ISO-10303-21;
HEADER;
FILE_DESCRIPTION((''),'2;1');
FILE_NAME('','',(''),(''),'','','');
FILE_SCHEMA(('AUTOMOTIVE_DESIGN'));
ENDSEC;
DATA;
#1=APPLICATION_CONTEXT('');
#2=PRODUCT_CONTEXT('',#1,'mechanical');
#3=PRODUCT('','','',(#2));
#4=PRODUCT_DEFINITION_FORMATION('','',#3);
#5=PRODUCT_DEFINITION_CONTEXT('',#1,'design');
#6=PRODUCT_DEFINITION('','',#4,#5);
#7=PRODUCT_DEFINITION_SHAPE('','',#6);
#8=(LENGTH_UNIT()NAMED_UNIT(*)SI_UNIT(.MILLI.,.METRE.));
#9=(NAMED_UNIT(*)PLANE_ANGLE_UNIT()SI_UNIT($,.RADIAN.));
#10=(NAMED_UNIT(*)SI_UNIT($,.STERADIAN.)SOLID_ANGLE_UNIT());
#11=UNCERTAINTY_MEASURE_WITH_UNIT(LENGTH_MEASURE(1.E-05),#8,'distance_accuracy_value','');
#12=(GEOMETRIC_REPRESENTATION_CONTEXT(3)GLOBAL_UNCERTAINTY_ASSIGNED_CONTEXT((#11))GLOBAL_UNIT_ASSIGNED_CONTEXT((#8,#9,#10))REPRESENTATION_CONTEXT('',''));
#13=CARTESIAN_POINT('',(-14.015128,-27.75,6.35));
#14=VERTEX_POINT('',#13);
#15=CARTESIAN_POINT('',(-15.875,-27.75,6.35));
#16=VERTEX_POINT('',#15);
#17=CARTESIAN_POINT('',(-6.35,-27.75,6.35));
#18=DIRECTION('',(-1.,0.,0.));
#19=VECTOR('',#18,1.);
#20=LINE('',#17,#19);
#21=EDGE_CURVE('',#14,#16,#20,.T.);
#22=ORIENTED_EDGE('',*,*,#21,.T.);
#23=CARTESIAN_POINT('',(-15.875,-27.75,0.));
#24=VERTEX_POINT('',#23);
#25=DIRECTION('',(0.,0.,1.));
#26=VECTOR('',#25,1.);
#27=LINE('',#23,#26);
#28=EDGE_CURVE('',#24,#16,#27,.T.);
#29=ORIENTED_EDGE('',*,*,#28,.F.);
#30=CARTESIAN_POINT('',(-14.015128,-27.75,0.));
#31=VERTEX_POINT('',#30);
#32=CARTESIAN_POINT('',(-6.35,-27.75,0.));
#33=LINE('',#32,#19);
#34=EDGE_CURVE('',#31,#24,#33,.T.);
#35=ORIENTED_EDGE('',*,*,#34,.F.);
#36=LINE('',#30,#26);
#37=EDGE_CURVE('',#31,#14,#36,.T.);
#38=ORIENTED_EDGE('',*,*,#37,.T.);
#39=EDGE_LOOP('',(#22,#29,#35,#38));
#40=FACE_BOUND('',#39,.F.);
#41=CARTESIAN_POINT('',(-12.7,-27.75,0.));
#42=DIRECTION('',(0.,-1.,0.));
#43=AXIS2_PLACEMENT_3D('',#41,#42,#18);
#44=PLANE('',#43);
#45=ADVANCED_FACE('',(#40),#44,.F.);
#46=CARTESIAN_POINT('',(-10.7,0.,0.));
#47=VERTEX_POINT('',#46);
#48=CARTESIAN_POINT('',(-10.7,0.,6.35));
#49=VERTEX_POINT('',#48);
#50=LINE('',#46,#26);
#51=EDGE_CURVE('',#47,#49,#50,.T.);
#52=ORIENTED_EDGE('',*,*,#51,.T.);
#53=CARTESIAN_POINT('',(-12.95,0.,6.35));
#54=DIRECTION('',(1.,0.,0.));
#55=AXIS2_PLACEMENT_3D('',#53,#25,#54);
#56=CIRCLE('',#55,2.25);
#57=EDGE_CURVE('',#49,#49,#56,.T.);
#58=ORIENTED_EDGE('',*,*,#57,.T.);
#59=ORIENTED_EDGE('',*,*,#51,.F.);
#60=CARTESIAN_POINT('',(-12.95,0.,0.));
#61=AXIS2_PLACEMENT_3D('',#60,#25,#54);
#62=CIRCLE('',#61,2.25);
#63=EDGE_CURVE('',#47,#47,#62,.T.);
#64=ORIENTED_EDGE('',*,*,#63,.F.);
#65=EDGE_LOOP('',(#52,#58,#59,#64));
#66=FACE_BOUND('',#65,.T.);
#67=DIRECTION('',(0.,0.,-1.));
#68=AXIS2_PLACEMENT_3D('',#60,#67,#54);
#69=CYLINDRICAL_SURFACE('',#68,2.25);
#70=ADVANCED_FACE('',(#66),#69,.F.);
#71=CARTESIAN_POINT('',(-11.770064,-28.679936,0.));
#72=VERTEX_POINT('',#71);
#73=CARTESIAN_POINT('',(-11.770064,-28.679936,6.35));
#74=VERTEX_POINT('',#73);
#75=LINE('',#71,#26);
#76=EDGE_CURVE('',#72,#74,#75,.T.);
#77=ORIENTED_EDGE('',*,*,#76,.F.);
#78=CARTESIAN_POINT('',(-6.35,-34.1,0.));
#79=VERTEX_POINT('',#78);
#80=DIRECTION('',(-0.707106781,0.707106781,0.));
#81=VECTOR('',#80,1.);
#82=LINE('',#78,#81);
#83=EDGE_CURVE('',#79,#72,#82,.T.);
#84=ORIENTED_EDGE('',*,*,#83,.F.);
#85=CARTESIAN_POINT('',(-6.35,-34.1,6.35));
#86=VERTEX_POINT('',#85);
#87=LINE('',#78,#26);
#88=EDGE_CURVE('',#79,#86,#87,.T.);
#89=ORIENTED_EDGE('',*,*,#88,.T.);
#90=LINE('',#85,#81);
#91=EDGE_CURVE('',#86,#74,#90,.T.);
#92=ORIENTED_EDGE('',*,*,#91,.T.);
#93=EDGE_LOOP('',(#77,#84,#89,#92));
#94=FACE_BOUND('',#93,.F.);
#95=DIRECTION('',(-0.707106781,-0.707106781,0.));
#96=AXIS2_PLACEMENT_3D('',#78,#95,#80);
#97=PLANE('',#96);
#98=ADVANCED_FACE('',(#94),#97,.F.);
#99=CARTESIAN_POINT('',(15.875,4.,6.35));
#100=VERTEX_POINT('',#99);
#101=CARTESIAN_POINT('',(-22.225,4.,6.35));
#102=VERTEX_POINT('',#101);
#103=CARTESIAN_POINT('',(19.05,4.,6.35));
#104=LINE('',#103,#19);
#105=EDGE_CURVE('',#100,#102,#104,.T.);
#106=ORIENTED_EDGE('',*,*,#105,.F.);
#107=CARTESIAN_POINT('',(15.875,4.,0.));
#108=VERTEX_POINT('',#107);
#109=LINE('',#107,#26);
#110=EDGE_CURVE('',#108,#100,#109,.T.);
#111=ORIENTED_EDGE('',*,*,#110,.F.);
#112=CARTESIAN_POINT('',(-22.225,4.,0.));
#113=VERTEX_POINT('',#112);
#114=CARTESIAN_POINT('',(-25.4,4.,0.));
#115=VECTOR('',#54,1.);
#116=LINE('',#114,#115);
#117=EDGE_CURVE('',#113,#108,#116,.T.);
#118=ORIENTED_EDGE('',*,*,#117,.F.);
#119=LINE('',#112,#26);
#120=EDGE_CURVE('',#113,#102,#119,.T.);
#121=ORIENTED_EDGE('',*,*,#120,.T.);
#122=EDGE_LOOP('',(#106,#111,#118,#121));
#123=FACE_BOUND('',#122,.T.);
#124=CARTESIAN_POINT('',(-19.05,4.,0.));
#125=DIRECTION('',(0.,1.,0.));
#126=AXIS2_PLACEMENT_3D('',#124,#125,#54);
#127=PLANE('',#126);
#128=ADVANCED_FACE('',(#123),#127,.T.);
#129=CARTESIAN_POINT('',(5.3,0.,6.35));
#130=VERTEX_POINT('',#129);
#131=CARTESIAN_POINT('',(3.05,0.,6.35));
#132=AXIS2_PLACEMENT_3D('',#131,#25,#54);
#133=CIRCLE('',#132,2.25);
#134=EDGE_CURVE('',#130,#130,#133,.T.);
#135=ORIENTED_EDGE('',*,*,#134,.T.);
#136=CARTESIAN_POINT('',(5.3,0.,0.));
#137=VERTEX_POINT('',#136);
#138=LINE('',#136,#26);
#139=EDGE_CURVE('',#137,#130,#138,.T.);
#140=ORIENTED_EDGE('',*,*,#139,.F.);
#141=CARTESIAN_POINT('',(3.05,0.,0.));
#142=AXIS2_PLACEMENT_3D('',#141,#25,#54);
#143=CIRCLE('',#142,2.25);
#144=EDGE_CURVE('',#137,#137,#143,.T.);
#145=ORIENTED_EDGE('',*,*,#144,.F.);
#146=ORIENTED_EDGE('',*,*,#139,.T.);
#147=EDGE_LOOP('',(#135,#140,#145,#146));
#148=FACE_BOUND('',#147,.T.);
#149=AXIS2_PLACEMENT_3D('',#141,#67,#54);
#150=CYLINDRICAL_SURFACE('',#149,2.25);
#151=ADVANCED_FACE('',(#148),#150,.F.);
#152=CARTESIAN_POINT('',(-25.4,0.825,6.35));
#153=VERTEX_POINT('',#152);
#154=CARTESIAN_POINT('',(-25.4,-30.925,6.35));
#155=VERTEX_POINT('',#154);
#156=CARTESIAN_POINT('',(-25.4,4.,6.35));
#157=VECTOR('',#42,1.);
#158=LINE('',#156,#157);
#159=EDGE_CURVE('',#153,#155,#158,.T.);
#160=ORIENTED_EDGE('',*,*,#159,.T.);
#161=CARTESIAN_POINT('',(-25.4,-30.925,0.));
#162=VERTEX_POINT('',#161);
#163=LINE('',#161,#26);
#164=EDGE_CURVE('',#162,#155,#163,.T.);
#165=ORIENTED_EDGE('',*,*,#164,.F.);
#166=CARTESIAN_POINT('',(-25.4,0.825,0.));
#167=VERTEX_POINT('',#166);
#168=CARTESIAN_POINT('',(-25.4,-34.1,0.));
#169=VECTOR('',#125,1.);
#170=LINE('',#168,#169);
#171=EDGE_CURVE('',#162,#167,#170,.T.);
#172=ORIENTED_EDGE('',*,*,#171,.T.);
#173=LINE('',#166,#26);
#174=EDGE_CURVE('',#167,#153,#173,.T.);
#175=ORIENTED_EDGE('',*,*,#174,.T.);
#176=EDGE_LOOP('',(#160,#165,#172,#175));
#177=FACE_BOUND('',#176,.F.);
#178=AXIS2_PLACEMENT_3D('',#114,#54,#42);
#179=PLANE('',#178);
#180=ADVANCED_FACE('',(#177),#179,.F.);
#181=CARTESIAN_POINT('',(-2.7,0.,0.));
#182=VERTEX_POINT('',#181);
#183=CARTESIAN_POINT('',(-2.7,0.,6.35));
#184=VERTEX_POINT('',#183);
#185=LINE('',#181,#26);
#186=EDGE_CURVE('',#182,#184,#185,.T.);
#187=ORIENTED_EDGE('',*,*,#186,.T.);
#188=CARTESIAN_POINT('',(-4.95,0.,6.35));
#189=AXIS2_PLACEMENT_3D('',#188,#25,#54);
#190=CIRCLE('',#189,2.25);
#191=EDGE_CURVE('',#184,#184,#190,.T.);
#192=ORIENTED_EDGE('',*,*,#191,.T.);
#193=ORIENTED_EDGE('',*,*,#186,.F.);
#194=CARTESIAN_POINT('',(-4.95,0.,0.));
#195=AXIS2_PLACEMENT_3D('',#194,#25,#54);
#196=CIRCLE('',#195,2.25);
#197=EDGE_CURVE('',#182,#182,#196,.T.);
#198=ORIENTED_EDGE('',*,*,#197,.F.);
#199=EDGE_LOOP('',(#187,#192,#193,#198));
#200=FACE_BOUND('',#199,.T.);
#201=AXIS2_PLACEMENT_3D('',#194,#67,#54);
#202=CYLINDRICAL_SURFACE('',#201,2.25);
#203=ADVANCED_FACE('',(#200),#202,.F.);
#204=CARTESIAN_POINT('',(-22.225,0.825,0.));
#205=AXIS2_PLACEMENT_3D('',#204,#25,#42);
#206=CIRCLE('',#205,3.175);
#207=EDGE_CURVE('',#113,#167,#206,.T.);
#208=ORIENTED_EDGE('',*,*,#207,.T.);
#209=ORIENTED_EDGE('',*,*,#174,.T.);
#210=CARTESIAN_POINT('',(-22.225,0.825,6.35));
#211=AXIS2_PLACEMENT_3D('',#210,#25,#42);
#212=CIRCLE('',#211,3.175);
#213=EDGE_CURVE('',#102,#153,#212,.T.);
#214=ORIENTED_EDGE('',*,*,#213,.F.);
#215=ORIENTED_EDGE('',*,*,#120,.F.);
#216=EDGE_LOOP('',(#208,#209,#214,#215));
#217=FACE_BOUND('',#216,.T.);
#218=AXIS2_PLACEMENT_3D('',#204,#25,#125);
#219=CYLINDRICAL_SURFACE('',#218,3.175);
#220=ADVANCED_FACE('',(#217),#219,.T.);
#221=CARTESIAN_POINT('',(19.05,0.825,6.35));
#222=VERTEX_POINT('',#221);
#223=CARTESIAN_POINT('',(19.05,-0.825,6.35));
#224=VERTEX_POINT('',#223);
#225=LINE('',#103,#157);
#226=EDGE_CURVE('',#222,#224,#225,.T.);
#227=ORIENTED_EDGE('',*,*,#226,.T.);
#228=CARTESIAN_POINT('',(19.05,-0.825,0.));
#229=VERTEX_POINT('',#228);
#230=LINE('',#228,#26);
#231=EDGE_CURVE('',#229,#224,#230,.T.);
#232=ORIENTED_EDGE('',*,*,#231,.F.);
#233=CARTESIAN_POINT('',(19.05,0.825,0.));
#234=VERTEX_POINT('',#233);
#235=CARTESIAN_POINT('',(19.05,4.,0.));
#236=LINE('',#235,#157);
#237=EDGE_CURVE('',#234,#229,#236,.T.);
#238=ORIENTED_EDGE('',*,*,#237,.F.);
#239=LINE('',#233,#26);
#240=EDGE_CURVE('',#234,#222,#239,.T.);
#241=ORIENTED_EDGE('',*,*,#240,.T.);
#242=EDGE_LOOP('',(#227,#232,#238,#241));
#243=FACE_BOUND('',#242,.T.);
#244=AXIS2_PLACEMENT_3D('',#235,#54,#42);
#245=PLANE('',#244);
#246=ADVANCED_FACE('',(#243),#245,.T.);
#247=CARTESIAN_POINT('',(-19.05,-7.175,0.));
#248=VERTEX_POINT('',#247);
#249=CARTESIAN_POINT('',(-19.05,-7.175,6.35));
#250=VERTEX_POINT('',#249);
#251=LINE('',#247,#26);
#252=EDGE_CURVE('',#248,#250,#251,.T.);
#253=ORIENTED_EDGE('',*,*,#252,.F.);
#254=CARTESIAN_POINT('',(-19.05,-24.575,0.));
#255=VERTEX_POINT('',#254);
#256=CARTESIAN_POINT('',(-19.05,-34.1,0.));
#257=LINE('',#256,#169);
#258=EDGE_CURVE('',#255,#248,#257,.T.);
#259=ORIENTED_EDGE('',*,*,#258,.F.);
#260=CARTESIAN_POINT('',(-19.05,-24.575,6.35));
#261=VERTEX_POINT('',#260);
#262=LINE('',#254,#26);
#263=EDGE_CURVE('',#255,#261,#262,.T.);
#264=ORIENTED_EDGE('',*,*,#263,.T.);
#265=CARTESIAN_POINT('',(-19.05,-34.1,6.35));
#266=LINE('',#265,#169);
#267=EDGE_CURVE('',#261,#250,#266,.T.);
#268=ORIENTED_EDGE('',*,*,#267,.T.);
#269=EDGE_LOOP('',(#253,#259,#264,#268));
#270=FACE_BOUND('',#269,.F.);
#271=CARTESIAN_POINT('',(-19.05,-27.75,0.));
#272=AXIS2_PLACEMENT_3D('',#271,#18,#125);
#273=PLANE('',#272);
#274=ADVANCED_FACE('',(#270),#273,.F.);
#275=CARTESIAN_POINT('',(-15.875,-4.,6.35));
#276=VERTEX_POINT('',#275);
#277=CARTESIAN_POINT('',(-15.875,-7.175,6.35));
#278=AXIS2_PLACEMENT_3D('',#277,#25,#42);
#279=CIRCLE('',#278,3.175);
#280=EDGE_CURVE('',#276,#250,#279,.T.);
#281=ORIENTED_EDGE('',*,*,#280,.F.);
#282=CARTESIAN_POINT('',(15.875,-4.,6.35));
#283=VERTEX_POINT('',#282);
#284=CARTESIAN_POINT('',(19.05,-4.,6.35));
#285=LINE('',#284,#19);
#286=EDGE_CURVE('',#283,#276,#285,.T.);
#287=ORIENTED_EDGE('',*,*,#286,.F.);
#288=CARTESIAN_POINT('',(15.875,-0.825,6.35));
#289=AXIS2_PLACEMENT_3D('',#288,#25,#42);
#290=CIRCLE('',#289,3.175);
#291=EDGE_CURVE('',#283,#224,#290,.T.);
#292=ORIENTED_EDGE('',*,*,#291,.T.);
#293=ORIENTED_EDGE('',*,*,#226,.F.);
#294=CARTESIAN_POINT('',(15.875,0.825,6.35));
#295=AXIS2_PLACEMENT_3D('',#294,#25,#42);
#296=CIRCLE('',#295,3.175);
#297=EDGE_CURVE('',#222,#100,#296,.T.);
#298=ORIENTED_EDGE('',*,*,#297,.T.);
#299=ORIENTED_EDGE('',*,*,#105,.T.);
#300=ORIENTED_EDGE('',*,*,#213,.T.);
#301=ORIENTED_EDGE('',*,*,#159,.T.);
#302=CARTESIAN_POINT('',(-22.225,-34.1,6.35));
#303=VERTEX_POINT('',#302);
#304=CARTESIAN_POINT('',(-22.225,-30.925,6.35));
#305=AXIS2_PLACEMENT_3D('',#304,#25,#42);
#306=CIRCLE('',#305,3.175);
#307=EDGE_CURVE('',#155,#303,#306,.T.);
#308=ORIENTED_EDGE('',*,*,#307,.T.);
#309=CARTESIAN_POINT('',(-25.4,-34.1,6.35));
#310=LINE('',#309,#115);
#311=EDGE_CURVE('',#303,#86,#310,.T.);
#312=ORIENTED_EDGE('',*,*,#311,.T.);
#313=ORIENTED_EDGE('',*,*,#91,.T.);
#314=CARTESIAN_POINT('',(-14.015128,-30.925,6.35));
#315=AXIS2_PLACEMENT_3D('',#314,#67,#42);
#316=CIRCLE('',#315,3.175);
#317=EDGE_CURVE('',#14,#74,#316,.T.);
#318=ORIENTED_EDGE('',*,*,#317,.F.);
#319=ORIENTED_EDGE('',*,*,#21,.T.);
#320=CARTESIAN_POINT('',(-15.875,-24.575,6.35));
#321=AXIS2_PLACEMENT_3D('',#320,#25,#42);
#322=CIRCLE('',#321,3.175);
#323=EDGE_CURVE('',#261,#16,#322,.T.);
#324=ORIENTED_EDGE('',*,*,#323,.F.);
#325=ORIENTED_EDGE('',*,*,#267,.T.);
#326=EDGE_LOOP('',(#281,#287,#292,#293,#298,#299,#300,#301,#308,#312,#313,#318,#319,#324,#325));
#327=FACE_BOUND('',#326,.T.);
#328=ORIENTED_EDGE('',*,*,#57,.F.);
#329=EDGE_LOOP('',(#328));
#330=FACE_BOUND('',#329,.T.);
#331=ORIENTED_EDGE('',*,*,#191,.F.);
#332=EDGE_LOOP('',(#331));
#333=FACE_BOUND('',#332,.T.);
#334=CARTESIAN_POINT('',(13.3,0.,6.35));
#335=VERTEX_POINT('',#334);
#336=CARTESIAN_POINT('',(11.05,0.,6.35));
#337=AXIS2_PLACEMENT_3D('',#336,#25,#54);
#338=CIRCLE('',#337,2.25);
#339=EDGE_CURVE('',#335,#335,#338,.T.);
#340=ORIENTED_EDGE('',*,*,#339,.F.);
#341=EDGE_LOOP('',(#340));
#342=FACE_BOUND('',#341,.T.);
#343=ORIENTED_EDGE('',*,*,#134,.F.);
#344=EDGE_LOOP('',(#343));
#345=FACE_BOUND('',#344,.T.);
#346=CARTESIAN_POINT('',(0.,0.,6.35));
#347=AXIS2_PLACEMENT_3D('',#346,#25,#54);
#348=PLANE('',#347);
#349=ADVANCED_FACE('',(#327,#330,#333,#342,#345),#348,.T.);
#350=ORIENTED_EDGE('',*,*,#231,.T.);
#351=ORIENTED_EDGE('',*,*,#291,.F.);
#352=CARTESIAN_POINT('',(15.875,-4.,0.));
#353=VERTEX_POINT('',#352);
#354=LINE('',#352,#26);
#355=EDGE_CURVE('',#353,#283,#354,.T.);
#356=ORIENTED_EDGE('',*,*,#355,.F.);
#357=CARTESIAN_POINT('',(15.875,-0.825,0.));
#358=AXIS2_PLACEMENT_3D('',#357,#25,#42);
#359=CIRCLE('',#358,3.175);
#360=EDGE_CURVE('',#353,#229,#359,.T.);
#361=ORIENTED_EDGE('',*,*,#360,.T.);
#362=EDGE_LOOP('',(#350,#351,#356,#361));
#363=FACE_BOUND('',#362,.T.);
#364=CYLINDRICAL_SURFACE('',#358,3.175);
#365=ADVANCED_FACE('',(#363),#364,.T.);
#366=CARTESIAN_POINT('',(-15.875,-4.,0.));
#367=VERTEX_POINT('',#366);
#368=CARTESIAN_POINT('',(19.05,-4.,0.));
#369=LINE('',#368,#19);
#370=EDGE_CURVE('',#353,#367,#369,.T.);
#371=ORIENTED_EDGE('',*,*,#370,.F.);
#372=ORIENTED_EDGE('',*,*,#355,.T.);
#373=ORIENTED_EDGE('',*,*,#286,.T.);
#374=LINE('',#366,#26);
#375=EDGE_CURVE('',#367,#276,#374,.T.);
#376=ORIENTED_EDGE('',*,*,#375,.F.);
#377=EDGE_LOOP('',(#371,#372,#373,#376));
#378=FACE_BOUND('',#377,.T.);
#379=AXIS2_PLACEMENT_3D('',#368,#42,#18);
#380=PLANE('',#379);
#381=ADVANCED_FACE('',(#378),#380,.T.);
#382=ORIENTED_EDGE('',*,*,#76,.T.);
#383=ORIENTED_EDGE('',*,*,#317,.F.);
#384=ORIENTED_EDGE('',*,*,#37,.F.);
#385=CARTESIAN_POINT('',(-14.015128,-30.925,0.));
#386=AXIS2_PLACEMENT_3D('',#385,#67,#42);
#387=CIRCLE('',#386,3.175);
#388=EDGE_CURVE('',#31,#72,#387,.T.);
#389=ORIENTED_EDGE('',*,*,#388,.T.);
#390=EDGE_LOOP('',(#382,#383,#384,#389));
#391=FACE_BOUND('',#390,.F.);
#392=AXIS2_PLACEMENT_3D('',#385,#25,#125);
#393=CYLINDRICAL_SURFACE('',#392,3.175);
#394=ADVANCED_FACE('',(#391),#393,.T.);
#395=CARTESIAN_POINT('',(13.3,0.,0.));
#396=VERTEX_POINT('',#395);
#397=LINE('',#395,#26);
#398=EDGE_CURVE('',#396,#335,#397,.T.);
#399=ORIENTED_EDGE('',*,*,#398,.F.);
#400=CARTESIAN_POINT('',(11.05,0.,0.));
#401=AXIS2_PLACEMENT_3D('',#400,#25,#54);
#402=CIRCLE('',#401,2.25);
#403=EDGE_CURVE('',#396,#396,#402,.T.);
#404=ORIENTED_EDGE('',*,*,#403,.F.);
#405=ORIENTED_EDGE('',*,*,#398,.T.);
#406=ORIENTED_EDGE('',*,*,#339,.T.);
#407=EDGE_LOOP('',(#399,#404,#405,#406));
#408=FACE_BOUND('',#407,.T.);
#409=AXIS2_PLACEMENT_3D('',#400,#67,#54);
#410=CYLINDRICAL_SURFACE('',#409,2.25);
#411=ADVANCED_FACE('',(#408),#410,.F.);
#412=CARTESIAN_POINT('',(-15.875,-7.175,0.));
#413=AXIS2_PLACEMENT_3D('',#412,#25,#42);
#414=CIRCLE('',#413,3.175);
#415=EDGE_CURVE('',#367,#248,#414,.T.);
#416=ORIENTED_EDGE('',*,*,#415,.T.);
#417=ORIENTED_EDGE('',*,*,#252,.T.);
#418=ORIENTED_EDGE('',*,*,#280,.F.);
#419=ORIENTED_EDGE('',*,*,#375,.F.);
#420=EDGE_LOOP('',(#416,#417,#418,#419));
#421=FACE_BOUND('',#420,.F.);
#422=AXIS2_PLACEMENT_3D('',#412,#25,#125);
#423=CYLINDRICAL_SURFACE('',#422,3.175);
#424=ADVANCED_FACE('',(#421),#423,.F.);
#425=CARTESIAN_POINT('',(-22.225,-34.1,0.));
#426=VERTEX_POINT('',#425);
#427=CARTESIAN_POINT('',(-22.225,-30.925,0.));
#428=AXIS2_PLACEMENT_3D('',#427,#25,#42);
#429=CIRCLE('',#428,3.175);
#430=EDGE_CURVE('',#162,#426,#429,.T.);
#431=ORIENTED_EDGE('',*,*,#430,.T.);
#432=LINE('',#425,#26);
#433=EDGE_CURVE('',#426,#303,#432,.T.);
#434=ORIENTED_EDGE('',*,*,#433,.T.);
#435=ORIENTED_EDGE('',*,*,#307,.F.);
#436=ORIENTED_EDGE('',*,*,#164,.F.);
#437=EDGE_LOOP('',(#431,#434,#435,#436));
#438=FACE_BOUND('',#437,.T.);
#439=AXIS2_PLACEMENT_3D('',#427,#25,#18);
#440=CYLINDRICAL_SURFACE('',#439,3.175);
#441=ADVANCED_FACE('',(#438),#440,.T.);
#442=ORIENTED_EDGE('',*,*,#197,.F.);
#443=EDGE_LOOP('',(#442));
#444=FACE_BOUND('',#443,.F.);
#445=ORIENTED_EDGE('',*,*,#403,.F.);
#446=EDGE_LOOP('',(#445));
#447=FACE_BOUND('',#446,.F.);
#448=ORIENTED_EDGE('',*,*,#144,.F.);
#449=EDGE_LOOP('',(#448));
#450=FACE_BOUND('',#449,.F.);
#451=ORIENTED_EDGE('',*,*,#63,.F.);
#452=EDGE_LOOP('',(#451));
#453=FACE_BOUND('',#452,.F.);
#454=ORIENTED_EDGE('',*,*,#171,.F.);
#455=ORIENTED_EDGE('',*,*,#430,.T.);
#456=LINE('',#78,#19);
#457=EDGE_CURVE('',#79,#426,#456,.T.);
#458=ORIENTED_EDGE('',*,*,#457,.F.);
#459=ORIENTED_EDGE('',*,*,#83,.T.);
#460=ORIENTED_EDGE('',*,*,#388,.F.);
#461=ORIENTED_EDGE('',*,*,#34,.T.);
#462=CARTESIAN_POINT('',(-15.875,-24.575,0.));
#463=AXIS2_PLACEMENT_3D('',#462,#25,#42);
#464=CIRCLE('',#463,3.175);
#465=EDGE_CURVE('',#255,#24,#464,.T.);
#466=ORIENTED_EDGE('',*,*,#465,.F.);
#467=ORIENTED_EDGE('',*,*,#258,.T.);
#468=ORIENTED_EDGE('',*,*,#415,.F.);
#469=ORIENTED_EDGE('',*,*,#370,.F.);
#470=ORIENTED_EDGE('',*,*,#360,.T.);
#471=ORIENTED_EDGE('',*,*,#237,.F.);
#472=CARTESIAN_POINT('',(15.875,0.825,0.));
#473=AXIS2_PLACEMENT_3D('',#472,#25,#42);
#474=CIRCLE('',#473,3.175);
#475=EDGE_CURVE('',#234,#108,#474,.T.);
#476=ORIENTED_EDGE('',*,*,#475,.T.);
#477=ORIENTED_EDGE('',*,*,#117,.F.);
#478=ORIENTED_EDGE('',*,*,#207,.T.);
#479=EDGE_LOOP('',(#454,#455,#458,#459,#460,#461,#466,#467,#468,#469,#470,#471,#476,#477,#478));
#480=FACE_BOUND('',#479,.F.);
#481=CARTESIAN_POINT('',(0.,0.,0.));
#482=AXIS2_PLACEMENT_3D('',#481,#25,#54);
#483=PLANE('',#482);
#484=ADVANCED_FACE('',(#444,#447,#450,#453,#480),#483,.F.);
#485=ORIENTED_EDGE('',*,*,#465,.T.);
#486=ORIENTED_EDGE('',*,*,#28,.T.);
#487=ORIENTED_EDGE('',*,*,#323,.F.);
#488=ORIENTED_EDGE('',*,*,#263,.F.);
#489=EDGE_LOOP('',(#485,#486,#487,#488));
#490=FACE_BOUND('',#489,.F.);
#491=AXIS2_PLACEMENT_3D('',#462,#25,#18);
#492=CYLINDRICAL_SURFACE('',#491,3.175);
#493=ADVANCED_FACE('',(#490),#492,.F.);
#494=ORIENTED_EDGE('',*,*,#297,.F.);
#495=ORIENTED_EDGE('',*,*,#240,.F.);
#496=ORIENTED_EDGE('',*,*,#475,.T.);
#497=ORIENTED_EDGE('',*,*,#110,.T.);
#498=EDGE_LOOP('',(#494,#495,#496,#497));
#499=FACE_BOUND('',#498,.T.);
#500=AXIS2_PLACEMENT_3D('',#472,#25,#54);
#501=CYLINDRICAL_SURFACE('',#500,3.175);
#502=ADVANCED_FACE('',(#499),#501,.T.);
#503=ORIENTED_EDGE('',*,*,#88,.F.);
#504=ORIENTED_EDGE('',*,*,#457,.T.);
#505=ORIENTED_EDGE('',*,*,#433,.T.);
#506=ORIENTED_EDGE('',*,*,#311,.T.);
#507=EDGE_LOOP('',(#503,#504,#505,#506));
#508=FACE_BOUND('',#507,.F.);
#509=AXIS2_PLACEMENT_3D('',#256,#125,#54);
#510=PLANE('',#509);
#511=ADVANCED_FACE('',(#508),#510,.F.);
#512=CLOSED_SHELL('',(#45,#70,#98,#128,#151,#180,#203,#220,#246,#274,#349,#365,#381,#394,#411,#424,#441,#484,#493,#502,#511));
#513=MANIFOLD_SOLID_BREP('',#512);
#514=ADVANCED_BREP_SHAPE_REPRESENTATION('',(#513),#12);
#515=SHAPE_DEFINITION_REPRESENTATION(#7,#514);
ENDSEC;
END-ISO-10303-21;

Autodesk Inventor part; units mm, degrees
ref_plane "YZ Plane" through (0, 0, 0) normal (1, 0, 0) x (0, 1, 0)
ref_plane "XZ Plane" through (0, 0, 0) normal (0, 1, 0) x (-1, 0, 0)
ref_plane "XY Plane" through (0, 0, 0) normal (0, 0, 1) x (1, 0, 0)
sketch "Sketch1" plane through (0, 0, 0) normal (0, 0, 1) x (1, 0, 0)
  line L0 (19.05, -4) -> (-19.05, -4)
  line L1 (-19.05, -4) -> (-19.05, 4)
  line L2 (-19.05, 4) -> (19.05, 4)
  line L3 (19.05, 4) -> (19.05, -4)
  line L4 (19.05, -4) -> (-19.05, 4) construction
  line L5 (-19.05, -4) -> (19.05, 4) construction
  circle A0 centre (11.05, 0) radius 2.25
  circle A1 centre (3.05, 0) radius 2.25
  circle A2 centre (-4.95, 0) radius 2.25
  circle A3 centre (-12.95, 0) radius 2.25
  line L6 (-19.05, 4) -> (-25.4, 4)
  line L7 (-25.4, 4) -> (-25.4, -34.1)
  line L8 (-25.4, -34.1) -> (-19.05, -34.1)
  line L9 (-19.05, -34.1) -> (-19.05, 4)
  line L10 (-25.4, -34.1) -> (-12.6924, -34.1) construction
  line L11 (-25.4, -34.1) -> (-6.35, -34.1)
  line L12 (-6.35, -34.1) -> (-6.35, -27.75)
  line L13 (-6.35, -27.75) -> (-25.4, -27.75)
  line L14 (-25.4, -27.75) -> (-25.4, -34.1)
  line L15 (-6.35, -34.1) -> (-17.257, -23.193)
  point P0 (0, 0)
  point P1 (-19.05, -27.75)
  point P2 (-12.7, -27.75)
  point P3 (-19.05, -27.75)
  dimension "d0" = 38.1
  dimension "d1" = 8
  dimension "d2" = 4.5
  dimension "d3" = 8
  dimension "d4" = 4.5
  dimension "d5" = 8
  dimension "d6" = 4.5
  dimension "d7" = 8
  dimension "d8" = 4.5
  dimension "d9" = 8
  dimension "d10" = 4
  dimension "d11" = 4
  dimension "d12" = 4
  dimension "d13" = 4
  dimension "d16" = 6.35
  dimension "d17" = 38.1
  dimension "d20" = 19.05
  dimension "d21" = 6.35
  dimension "d22" = 45
extrude "Extrusion1" add sketch "Sketch1" along normal blind 6.35 contours L0 L1 L2 L3 | L9 L13 L7 L6 L1 | L13 L15 L11 L9 | L9 L8 L7 L13
fillet "Fillet1" radius 3.175 5 edges at (-19.05, -27.75, 3.175) (-19.05, -4, 3.175) (-25.4, 4, 3.175) (19.05, 4, 3.175) (19.05, -4, 3.175)
fillet "Fillet2" radius 3.175 2 edges at (-12.7, -27.75, 3.175) (-25.4, -34.1, 3.175)
properties part number "CS_Latch_Hooks"
